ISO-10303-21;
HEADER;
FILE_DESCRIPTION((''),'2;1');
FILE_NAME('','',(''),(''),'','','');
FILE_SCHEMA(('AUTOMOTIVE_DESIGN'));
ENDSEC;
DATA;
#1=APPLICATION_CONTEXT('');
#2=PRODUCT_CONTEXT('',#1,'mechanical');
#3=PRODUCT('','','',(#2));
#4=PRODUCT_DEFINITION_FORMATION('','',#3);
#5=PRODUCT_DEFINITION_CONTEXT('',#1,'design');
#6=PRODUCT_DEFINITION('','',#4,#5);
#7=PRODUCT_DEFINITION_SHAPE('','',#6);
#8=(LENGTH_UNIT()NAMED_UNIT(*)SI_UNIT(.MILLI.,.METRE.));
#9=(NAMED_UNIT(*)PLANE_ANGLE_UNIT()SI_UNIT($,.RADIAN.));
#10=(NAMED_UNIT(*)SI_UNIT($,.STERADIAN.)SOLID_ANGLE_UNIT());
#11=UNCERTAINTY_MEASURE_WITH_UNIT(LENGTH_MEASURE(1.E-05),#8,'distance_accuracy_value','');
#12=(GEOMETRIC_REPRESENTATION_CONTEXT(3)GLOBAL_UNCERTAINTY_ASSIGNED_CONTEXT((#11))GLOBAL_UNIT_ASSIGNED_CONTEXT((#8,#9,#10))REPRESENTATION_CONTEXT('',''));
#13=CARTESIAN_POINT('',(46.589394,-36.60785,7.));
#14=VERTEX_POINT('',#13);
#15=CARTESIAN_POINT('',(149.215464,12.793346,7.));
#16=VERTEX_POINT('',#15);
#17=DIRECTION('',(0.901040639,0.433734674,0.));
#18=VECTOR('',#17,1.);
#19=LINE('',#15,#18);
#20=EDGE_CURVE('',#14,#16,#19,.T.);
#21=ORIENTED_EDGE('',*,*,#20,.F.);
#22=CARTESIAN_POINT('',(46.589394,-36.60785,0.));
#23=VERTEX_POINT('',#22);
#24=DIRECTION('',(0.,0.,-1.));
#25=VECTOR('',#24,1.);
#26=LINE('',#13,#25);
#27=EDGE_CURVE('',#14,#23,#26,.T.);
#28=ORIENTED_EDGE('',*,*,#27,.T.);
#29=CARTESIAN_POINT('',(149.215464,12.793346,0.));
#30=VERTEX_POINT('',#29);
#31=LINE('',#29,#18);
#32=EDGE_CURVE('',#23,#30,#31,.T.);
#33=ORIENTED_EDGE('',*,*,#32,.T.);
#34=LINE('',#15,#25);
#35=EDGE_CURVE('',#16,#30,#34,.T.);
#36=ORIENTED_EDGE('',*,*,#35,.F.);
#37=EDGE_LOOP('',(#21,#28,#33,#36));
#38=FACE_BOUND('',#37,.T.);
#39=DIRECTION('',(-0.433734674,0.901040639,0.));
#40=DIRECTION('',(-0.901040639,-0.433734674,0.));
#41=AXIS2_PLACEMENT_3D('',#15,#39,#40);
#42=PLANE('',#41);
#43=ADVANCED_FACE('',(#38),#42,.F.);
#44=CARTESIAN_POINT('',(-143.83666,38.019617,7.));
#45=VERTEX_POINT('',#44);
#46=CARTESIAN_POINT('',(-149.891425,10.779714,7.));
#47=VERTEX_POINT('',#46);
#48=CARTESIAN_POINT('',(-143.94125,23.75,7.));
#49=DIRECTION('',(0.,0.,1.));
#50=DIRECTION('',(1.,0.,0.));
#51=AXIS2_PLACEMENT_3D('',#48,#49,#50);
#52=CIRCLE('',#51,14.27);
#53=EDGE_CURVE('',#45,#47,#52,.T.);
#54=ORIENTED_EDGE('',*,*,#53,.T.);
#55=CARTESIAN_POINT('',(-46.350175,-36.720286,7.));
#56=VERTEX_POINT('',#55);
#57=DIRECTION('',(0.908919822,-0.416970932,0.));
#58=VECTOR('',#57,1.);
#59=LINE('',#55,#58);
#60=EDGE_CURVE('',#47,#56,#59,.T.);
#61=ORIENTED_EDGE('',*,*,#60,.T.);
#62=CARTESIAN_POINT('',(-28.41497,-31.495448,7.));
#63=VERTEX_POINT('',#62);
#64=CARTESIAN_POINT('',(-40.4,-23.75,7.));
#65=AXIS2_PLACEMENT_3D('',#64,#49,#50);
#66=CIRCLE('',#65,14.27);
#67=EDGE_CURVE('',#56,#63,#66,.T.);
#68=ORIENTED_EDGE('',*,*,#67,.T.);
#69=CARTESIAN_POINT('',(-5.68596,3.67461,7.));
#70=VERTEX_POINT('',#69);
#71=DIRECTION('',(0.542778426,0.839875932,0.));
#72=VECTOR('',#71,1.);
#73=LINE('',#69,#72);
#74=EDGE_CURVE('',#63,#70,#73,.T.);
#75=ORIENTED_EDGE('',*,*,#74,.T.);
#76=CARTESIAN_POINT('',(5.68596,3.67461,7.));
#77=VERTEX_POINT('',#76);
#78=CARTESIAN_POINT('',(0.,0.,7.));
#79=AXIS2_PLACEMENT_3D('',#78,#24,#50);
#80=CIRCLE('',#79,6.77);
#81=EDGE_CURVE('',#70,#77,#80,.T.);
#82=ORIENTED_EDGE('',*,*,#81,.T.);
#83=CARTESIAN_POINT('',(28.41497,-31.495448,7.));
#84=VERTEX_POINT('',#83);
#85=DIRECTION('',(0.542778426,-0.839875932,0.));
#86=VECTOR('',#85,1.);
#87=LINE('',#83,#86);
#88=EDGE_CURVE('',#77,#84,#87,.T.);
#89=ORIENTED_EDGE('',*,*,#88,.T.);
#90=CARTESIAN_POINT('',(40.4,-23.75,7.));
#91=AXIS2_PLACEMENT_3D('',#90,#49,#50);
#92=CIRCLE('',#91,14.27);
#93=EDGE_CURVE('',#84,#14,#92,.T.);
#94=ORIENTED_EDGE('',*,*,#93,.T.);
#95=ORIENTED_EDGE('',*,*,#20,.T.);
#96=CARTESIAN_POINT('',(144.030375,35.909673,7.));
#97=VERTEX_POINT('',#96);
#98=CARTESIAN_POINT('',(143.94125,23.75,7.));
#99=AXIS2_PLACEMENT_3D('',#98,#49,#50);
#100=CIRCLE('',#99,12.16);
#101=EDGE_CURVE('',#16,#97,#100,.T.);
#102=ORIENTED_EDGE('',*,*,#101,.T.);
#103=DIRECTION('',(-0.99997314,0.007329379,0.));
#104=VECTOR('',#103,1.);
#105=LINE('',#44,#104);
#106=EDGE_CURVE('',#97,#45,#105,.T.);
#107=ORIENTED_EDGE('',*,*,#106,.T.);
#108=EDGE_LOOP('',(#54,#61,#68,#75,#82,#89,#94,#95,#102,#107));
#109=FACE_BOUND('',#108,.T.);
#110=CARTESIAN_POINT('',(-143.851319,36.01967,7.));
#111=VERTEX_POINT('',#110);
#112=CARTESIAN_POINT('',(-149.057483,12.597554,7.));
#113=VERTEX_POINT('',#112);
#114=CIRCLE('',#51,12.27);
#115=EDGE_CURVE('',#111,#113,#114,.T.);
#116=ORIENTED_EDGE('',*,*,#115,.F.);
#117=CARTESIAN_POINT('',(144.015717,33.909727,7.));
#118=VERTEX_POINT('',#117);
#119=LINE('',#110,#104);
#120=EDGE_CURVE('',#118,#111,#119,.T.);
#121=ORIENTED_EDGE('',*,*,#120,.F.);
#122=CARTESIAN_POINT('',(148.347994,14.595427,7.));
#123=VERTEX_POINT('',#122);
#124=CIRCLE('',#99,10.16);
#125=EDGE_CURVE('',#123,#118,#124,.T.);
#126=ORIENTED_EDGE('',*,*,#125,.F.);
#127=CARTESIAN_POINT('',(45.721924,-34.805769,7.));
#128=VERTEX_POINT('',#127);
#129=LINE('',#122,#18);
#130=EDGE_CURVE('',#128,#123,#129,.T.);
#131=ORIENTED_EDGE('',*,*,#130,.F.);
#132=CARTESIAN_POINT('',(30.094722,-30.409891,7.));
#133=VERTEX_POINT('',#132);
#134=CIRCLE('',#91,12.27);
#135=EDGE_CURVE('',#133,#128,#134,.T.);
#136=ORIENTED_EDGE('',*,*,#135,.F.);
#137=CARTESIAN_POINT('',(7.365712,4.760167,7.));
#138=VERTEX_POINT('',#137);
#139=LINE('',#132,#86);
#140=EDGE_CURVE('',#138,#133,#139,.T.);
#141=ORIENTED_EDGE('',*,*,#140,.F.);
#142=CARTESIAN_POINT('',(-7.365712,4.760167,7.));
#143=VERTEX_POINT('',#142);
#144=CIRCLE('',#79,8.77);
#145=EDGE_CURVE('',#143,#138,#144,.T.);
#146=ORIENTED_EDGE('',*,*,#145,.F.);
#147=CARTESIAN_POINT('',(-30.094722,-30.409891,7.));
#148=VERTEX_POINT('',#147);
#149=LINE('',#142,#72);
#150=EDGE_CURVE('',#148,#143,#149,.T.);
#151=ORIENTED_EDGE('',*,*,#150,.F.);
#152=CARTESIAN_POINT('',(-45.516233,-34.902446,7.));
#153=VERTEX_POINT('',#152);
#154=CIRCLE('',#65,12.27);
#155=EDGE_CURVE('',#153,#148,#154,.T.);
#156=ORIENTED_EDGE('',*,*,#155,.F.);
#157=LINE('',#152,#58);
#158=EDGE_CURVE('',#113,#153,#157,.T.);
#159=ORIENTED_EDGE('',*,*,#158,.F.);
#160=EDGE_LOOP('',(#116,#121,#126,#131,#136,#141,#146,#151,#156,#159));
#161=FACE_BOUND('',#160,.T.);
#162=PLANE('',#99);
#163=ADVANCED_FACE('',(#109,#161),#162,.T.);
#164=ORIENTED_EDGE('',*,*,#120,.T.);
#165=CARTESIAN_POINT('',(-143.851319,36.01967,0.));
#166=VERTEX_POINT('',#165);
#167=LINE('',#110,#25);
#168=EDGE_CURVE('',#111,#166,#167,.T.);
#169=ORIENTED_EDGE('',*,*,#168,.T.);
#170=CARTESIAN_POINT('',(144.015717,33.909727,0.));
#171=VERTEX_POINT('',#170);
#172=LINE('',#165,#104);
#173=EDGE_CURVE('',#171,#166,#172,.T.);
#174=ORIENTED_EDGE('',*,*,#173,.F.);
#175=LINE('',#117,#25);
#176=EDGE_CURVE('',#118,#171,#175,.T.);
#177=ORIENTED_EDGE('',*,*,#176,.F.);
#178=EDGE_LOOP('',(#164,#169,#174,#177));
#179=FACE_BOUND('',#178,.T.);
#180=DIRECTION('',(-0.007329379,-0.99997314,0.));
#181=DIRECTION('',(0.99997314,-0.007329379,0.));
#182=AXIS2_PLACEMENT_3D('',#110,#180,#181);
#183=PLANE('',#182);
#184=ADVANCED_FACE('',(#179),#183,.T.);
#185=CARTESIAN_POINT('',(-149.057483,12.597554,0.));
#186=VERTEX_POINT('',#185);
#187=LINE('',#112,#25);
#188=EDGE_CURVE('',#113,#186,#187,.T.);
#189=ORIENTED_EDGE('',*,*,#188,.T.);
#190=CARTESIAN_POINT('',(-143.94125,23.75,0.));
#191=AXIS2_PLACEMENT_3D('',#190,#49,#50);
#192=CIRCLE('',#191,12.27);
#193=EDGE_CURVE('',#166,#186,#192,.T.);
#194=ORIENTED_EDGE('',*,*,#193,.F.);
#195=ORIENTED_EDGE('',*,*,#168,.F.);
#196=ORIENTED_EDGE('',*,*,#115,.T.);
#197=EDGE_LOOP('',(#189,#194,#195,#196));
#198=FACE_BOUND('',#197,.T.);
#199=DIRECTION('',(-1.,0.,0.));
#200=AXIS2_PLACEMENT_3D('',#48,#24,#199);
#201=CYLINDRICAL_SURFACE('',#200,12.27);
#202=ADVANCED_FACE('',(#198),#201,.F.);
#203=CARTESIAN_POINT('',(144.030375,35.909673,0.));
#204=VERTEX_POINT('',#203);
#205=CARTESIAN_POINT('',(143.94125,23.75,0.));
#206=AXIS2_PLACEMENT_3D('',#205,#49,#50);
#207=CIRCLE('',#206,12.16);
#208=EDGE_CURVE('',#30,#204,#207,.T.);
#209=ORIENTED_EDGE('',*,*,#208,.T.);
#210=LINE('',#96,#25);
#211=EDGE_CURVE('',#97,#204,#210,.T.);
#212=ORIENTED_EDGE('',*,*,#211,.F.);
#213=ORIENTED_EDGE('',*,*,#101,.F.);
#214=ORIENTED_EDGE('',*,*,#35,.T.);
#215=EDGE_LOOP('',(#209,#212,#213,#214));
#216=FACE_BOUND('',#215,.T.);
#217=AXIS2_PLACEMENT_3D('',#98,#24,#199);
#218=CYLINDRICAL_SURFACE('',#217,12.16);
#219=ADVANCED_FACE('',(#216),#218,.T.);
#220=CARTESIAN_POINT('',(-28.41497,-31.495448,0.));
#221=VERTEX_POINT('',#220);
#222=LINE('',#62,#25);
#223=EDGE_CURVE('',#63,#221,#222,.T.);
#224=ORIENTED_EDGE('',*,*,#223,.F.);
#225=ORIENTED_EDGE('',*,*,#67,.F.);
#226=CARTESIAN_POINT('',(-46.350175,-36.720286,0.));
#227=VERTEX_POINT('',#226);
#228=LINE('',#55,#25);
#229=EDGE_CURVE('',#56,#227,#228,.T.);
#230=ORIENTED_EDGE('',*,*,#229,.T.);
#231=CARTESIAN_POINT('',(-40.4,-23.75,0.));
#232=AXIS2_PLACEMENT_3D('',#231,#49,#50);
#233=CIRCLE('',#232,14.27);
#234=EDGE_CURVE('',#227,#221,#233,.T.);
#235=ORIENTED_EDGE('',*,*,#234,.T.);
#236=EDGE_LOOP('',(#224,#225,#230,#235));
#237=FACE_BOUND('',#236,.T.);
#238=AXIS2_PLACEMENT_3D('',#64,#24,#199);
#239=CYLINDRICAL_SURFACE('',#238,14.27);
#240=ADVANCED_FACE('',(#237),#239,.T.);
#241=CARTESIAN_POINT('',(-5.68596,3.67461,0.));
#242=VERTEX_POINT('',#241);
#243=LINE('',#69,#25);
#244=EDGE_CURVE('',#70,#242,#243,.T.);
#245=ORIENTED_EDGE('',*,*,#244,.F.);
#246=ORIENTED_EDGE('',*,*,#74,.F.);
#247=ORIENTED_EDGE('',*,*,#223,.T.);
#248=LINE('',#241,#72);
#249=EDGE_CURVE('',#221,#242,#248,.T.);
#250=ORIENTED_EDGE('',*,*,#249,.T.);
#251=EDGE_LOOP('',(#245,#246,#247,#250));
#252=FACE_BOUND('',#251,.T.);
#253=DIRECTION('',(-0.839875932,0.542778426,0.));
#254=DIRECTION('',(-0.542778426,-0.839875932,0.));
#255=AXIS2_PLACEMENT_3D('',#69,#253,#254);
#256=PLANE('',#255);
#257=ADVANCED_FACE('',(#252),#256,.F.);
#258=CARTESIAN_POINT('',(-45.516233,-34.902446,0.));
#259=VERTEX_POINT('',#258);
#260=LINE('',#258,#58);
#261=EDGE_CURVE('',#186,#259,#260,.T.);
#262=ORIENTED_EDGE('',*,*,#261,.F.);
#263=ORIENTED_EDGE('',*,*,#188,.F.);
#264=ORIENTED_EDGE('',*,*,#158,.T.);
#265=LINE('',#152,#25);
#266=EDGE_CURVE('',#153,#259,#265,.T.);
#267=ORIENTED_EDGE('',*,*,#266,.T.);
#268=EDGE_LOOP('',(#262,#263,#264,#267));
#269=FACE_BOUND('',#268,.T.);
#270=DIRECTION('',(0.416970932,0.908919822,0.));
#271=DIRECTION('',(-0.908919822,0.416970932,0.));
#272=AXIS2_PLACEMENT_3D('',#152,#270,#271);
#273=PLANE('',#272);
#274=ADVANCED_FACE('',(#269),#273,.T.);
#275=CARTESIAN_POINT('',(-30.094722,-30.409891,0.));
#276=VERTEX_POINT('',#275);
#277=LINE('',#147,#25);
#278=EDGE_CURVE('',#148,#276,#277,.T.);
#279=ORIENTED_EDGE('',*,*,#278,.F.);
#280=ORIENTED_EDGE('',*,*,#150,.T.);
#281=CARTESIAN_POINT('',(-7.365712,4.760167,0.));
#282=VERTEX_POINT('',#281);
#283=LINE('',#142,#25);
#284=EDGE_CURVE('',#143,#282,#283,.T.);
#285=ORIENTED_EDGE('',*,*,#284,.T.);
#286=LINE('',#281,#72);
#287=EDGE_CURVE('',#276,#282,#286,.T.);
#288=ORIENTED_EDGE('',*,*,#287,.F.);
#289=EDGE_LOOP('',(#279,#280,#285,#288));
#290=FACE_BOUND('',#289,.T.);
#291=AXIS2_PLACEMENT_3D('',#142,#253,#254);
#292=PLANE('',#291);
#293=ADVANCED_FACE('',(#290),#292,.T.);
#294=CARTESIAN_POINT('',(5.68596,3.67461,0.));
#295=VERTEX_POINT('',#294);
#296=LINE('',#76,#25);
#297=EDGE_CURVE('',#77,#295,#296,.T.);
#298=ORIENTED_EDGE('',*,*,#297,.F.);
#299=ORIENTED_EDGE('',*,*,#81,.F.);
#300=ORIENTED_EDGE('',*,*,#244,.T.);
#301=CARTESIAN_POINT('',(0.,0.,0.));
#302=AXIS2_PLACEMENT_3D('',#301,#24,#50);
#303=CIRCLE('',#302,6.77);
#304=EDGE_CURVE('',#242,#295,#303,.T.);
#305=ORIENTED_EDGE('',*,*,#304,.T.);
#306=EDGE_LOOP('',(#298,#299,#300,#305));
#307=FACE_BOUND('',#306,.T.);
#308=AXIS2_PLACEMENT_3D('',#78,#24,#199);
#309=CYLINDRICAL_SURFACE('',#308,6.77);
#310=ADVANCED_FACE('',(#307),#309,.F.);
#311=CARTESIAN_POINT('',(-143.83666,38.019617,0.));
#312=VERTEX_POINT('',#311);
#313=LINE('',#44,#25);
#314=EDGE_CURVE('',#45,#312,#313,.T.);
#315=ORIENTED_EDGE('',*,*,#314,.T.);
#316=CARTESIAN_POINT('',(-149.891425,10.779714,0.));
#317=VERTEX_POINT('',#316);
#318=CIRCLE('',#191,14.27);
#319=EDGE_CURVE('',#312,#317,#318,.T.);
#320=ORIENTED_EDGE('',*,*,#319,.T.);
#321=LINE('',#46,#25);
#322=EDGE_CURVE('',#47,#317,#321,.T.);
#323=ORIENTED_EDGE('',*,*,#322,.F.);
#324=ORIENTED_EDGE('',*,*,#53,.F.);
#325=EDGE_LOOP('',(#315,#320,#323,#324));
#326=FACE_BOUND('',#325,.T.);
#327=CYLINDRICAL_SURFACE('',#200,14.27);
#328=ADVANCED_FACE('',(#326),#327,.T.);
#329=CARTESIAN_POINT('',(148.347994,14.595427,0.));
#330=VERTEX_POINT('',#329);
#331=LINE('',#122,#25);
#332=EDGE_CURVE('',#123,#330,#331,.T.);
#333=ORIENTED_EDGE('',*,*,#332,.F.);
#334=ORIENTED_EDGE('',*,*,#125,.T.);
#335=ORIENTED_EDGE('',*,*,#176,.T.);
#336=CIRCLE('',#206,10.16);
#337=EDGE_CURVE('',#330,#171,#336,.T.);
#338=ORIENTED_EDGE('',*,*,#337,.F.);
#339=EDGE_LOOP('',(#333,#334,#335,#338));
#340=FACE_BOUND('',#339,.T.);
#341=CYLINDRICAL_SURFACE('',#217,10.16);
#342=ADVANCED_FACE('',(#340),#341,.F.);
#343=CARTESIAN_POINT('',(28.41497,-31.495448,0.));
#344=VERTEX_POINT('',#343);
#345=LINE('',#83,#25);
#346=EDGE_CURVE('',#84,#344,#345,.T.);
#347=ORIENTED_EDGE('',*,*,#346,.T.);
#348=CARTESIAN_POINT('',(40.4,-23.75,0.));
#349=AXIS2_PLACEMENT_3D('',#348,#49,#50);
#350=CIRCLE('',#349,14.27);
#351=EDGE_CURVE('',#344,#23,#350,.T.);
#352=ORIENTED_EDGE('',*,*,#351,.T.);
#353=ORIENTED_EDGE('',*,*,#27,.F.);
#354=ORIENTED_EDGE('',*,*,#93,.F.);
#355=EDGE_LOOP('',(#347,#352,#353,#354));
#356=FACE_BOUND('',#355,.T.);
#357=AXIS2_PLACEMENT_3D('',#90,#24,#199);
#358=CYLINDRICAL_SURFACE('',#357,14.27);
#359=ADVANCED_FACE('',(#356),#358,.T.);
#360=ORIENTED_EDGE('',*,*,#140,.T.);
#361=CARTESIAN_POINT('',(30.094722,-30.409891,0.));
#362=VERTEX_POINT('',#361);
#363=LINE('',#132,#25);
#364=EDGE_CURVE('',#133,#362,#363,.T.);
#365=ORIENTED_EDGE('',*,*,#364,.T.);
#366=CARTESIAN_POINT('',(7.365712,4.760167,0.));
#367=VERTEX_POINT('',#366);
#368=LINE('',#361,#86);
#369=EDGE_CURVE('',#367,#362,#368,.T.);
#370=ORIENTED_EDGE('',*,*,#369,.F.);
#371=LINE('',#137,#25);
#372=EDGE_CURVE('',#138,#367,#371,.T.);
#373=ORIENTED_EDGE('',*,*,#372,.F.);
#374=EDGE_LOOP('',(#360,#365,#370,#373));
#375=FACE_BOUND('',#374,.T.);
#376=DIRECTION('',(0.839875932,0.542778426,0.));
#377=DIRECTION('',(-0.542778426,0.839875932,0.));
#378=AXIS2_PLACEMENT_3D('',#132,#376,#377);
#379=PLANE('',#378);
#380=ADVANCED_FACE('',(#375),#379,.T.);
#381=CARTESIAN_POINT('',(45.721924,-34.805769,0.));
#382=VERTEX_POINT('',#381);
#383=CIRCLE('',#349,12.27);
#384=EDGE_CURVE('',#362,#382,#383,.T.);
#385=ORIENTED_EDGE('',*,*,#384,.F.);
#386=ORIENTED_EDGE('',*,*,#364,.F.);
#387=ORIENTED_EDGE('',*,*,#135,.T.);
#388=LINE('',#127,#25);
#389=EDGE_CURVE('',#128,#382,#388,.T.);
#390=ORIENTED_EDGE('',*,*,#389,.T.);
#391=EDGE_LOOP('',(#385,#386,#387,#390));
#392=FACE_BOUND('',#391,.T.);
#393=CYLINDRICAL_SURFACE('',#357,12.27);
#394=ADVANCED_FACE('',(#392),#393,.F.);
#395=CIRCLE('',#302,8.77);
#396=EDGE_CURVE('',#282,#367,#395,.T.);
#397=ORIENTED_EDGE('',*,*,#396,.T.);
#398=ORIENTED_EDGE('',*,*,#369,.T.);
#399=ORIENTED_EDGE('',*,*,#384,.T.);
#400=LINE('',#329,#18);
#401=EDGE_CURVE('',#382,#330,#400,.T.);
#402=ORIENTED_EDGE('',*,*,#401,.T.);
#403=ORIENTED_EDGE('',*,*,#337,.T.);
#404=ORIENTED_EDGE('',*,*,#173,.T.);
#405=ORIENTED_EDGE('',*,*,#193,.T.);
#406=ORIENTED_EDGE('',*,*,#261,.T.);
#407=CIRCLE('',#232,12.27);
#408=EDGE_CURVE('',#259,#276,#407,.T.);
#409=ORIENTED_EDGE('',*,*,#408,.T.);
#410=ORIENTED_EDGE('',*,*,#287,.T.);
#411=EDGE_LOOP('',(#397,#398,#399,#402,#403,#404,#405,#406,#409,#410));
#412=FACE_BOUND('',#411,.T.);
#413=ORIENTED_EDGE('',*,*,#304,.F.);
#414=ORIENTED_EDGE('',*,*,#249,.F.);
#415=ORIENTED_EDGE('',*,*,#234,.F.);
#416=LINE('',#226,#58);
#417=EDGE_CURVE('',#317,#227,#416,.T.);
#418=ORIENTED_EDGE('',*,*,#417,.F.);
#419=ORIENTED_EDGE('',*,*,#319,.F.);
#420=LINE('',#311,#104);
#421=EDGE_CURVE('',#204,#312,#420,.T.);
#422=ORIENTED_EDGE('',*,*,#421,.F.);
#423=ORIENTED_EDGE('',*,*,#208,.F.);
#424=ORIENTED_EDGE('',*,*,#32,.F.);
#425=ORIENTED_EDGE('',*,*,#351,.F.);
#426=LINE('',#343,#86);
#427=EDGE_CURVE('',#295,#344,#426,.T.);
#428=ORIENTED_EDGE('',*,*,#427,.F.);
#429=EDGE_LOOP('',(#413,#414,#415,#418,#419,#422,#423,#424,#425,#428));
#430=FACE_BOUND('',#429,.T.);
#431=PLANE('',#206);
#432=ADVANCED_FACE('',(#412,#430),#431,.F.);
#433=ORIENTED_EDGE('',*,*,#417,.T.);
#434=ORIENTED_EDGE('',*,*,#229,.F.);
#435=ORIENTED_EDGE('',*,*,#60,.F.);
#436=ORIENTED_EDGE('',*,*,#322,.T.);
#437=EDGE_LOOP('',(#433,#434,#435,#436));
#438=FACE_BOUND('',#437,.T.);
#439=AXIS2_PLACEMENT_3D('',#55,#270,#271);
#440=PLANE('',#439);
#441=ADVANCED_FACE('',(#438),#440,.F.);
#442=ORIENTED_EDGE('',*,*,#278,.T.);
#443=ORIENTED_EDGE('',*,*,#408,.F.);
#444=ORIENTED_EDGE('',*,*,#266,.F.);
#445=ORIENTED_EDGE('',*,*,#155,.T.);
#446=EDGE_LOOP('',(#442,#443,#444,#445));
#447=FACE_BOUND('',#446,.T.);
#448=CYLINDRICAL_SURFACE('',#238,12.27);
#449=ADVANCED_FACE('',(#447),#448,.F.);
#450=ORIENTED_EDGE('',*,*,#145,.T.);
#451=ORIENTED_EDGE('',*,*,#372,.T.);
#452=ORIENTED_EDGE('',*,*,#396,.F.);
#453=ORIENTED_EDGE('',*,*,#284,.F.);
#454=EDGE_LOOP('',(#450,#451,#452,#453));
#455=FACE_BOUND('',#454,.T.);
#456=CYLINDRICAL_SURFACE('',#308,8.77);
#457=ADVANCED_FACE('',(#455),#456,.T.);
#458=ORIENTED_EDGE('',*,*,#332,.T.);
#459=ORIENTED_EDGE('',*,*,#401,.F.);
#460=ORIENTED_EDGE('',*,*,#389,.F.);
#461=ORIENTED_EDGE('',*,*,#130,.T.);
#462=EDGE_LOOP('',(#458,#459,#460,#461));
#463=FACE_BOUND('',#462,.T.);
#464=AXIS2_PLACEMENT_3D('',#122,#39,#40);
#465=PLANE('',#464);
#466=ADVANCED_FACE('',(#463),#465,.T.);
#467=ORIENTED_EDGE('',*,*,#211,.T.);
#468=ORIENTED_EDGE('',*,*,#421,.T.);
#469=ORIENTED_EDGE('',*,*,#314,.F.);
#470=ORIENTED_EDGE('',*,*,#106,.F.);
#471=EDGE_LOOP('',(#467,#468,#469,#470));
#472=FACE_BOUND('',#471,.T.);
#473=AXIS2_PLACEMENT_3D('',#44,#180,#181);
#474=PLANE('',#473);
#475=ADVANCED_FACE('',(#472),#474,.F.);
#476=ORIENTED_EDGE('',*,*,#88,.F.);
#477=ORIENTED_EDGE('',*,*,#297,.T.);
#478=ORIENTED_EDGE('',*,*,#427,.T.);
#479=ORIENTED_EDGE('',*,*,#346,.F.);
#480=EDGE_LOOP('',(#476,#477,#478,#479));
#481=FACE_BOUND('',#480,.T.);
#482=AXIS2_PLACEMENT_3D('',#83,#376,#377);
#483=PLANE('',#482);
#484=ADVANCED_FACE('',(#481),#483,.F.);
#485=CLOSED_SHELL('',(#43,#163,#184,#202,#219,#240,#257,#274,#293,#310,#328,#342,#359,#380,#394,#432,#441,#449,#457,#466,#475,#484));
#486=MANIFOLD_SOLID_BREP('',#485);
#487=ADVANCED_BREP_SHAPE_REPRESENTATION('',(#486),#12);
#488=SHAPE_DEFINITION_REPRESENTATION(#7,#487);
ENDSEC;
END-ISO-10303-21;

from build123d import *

# Parameters (mm, degrees)
BOSS_EXTRUDE1_DEPTH = 7


with BuildPart() as part:
    # Sketch4 → Boss-Extrude1 (new body)
    with BuildSketch(Plane.XY):
        with BuildLine():
            Line((149.215463732, 12.793345832), (46.589393766, -36.607849916))
            ThreePointArc((46.589393766, -36.607849916), (36.535868579, -37.486862399), (28.414970428, -31.495448136))
            Line((28.414970428, -31.495448136), (5.685960057, 3.674609943))
            ThreePointArc((5.685960057, 3.674609943), (0, 6.77), (-5.685960057, 3.674609943))
            Line((-5.685960057, 3.674609943), (-28.414970428, -31.495448136))
            ThreePointArc((-28.414970428, -31.495448136), (-36.408809792, -37.450485427), (-46.350175166, -36.720285855))
            Line((-46.350175166, -36.720285855), (-149.891425293, 10.779714145))
            ThreePointArc((-149.891425293, 10.779714145), (-157.871281998, 26.846306071), (-143.836659858, 38.019616704))
            Line((-143.836659858, 38.019616704), (144.030375349, 35.909673379))
            ThreePointArc((144.030375349, 35.909673379), (155.806430283, 26.411409249), (149.215463732, 12.793345832))
        make_face()
        with BuildLine():
            Line((-143.851318616, 36.019670425), (144.015716591, 33.9097271))
            ThreePointArc((144.015716591, 33.9097271), (153.854920385, 25.973677464), (148.347994384, 14.59542711))
            Line((148.347994384, 14.59542711), (45.721924419, -34.805768638))
            ThreePointArc((45.721924419, -34.805768638), (37.077442705, -35.561583857), (30.094722291, -30.409891285))
            Line((30.094722291, -30.409891285), (7.36571192, 4.760166794))
            ThreePointArc((7.36571192, 4.760166794), (0, 8.77), (-7.36571192, 4.760166794))
            Line((-7.36571192, 4.760166794), (-30.094722291, -30.409891285))
            ThreePointArc((-30.094722291, -30.409891285), (-36.968191738, -35.530305269), (-45.516233303, -34.902446212))
            Line((-45.516233303, -34.902446212), (-149.05748343, 12.597553788))
            ThreePointArc((-149.05748343, 12.597553788), (-155.918929945, 26.412345864), (-143.851318616, 36.019670425))
        make_face(mode=Mode.SUBTRACT)
    extrude(amount=BOSS_EXTRUDE1_DEPTH)


solid = part.part
